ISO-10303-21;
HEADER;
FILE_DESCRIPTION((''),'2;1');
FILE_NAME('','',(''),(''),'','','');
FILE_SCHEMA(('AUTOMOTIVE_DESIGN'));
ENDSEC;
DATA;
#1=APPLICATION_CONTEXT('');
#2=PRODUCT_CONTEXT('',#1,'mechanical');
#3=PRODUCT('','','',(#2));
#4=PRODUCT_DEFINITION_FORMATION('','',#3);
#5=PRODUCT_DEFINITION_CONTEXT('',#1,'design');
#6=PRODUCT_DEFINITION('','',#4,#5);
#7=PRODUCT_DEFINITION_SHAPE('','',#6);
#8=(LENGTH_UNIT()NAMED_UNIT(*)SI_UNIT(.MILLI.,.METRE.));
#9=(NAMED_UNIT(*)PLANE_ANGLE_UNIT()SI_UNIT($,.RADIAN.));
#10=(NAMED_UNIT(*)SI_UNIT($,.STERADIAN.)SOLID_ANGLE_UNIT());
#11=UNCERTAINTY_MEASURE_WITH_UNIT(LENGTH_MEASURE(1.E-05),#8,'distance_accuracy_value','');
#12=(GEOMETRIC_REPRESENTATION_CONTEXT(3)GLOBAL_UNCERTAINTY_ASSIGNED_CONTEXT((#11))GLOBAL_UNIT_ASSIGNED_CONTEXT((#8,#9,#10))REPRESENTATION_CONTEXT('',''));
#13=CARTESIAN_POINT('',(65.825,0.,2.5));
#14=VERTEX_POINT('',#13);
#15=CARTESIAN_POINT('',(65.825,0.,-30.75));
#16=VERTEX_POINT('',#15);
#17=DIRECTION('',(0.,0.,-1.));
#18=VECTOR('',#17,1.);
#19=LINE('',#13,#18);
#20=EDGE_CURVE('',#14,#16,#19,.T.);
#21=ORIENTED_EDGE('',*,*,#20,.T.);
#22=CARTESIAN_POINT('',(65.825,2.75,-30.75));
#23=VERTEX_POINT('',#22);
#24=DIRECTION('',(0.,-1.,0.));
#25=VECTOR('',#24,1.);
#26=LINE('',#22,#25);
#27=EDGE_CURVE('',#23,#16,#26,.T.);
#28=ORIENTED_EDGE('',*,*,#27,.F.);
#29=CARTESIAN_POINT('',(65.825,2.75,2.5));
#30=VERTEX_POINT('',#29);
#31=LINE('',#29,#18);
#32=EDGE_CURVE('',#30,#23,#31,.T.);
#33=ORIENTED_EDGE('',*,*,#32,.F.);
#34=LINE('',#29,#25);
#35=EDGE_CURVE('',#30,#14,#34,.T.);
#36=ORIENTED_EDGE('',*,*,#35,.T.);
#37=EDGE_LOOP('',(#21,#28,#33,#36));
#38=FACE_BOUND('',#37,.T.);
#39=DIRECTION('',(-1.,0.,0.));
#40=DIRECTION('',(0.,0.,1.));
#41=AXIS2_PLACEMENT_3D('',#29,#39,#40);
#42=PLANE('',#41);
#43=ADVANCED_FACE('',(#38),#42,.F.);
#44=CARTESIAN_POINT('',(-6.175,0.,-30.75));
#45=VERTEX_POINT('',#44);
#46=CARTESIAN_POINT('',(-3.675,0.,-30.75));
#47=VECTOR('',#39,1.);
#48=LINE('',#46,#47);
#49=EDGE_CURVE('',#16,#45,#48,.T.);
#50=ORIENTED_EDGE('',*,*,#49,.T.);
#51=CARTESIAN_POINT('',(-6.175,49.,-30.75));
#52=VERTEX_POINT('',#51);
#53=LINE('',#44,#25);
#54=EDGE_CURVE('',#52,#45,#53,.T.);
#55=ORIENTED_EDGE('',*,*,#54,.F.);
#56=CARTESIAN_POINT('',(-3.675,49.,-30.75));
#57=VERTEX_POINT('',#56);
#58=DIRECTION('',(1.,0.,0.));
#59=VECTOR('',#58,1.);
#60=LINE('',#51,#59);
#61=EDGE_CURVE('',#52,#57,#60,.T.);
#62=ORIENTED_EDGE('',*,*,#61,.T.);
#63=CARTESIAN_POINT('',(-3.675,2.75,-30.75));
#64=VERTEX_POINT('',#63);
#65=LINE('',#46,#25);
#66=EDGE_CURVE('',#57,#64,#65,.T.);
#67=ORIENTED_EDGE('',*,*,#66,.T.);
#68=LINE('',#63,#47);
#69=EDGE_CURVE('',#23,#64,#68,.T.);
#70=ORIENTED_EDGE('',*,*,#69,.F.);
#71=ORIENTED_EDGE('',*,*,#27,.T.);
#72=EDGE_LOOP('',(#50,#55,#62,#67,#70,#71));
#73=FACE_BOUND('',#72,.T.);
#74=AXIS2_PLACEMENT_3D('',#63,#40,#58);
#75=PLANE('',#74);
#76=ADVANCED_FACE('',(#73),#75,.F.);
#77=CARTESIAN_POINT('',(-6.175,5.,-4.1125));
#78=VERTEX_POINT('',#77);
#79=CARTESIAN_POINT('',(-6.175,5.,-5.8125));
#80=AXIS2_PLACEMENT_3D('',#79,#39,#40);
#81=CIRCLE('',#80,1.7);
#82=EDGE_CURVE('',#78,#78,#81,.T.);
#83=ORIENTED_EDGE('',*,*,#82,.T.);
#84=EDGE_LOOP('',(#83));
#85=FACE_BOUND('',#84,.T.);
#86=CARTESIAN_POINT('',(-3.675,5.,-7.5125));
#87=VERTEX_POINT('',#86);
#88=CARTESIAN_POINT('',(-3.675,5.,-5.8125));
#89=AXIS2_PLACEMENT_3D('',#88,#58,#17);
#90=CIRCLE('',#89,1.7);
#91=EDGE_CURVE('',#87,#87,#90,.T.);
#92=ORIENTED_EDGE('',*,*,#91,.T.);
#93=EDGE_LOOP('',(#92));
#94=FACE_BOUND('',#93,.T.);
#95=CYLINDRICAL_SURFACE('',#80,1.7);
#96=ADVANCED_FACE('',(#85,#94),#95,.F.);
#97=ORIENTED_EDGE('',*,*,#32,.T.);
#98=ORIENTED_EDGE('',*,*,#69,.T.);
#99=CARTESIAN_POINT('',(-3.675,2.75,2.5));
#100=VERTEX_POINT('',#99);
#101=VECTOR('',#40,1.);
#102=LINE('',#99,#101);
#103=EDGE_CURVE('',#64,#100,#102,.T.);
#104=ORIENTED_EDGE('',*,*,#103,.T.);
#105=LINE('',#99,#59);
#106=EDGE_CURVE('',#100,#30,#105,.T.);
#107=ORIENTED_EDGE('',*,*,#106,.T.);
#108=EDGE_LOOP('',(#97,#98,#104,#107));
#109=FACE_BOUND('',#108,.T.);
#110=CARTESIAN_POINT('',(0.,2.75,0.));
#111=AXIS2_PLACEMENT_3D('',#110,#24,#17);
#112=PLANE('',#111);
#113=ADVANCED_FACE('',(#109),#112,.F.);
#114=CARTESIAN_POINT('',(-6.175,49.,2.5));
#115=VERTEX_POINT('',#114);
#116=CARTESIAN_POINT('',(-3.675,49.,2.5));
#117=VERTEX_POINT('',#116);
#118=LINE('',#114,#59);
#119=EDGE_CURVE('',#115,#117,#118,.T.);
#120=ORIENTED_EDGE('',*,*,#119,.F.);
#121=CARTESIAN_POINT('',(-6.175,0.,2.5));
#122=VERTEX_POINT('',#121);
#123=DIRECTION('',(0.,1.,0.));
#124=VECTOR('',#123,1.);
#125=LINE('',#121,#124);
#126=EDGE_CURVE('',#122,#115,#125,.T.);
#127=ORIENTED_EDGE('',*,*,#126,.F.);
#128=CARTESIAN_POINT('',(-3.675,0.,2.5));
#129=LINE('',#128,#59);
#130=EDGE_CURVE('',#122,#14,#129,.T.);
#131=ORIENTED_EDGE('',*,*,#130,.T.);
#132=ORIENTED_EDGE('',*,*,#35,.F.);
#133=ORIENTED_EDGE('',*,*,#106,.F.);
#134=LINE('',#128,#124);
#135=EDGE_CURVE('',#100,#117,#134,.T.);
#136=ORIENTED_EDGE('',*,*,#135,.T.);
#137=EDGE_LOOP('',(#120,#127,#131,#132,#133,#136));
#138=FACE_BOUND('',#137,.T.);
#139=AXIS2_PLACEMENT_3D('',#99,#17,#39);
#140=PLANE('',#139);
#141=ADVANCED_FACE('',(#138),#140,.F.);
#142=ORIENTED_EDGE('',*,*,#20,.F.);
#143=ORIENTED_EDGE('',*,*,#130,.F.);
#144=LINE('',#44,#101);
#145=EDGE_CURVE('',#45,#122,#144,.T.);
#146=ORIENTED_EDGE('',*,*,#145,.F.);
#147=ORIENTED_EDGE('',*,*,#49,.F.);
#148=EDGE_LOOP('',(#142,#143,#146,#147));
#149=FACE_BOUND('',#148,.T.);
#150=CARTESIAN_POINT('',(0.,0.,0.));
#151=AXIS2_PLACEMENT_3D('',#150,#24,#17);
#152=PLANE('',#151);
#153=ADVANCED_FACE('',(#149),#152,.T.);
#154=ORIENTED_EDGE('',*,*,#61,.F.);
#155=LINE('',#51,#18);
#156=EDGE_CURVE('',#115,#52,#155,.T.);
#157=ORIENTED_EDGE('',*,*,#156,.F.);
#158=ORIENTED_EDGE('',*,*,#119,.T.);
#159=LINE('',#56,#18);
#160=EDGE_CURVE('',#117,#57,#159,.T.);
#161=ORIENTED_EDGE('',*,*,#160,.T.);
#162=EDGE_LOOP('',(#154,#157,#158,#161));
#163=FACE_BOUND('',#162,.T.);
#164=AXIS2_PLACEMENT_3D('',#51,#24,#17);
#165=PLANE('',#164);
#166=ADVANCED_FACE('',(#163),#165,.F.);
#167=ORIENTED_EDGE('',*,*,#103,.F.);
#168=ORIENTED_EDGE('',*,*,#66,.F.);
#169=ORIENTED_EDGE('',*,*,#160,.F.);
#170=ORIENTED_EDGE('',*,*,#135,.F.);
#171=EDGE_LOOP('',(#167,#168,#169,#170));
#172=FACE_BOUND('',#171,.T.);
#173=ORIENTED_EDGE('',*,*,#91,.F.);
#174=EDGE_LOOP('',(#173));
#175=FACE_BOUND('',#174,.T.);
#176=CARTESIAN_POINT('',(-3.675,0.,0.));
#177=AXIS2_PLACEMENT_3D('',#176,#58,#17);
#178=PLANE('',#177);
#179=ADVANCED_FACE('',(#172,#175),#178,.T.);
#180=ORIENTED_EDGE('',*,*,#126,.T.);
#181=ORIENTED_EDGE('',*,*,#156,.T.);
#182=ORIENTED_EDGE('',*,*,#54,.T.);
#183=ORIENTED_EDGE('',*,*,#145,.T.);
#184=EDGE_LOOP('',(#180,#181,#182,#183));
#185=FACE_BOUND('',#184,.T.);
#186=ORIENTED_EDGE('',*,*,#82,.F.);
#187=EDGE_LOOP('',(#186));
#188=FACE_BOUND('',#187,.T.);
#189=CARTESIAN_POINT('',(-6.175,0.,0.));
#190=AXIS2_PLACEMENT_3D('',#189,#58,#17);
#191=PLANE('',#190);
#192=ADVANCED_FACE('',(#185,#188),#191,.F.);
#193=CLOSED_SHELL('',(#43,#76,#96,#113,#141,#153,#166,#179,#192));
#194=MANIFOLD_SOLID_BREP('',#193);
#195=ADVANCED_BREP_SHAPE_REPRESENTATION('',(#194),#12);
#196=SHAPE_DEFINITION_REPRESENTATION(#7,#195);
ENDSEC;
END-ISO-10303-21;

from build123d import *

# Parameters (mm, degrees)
SKETCH1_W            = 69.5
SKETCH1_H            = 33.25
BOSS_EXTRUDE1_DEPTH  = 2.75
SKETCH2_W            = 33.25
SKETCH2_H            = 49
BOSS_EXTRUDE2_DEPTH  = 2.5
M3_CLEARANCE_HOLE1_D = 3.4


with BuildPart() as part:
    # Sketch1 → Boss-Extrude1 (new body)
    with BuildSketch(Plane(origin=(0, 0, 0), x_dir=(1, 0, 0), z_dir=(0, 1, 0))):
        with Locations((31.075, 14.125)):
            Rectangle(SKETCH1_W, SKETCH1_H)
    extrude(amount=BOSS_EXTRUDE1_DEPTH)

    # Sketch2 → Boss-Extrude2 (add)
    with BuildSketch(Plane.ZY.offset(3.675)):
        with Locations((-14.125, 24.5)):
            Rectangle(SKETCH2_W, SKETCH2_H)
    extrude(amount=BOSS_EXTRUDE2_DEPTH)

    # M3 Clearance Hole1 (through all)
    with Locations(Plane.ZY.offset(6.175)):
        with Locations((-5.8125, 5)):
            Hole(M3_CLEARANCE_HOLE1_D / 2)


solid = part.part
